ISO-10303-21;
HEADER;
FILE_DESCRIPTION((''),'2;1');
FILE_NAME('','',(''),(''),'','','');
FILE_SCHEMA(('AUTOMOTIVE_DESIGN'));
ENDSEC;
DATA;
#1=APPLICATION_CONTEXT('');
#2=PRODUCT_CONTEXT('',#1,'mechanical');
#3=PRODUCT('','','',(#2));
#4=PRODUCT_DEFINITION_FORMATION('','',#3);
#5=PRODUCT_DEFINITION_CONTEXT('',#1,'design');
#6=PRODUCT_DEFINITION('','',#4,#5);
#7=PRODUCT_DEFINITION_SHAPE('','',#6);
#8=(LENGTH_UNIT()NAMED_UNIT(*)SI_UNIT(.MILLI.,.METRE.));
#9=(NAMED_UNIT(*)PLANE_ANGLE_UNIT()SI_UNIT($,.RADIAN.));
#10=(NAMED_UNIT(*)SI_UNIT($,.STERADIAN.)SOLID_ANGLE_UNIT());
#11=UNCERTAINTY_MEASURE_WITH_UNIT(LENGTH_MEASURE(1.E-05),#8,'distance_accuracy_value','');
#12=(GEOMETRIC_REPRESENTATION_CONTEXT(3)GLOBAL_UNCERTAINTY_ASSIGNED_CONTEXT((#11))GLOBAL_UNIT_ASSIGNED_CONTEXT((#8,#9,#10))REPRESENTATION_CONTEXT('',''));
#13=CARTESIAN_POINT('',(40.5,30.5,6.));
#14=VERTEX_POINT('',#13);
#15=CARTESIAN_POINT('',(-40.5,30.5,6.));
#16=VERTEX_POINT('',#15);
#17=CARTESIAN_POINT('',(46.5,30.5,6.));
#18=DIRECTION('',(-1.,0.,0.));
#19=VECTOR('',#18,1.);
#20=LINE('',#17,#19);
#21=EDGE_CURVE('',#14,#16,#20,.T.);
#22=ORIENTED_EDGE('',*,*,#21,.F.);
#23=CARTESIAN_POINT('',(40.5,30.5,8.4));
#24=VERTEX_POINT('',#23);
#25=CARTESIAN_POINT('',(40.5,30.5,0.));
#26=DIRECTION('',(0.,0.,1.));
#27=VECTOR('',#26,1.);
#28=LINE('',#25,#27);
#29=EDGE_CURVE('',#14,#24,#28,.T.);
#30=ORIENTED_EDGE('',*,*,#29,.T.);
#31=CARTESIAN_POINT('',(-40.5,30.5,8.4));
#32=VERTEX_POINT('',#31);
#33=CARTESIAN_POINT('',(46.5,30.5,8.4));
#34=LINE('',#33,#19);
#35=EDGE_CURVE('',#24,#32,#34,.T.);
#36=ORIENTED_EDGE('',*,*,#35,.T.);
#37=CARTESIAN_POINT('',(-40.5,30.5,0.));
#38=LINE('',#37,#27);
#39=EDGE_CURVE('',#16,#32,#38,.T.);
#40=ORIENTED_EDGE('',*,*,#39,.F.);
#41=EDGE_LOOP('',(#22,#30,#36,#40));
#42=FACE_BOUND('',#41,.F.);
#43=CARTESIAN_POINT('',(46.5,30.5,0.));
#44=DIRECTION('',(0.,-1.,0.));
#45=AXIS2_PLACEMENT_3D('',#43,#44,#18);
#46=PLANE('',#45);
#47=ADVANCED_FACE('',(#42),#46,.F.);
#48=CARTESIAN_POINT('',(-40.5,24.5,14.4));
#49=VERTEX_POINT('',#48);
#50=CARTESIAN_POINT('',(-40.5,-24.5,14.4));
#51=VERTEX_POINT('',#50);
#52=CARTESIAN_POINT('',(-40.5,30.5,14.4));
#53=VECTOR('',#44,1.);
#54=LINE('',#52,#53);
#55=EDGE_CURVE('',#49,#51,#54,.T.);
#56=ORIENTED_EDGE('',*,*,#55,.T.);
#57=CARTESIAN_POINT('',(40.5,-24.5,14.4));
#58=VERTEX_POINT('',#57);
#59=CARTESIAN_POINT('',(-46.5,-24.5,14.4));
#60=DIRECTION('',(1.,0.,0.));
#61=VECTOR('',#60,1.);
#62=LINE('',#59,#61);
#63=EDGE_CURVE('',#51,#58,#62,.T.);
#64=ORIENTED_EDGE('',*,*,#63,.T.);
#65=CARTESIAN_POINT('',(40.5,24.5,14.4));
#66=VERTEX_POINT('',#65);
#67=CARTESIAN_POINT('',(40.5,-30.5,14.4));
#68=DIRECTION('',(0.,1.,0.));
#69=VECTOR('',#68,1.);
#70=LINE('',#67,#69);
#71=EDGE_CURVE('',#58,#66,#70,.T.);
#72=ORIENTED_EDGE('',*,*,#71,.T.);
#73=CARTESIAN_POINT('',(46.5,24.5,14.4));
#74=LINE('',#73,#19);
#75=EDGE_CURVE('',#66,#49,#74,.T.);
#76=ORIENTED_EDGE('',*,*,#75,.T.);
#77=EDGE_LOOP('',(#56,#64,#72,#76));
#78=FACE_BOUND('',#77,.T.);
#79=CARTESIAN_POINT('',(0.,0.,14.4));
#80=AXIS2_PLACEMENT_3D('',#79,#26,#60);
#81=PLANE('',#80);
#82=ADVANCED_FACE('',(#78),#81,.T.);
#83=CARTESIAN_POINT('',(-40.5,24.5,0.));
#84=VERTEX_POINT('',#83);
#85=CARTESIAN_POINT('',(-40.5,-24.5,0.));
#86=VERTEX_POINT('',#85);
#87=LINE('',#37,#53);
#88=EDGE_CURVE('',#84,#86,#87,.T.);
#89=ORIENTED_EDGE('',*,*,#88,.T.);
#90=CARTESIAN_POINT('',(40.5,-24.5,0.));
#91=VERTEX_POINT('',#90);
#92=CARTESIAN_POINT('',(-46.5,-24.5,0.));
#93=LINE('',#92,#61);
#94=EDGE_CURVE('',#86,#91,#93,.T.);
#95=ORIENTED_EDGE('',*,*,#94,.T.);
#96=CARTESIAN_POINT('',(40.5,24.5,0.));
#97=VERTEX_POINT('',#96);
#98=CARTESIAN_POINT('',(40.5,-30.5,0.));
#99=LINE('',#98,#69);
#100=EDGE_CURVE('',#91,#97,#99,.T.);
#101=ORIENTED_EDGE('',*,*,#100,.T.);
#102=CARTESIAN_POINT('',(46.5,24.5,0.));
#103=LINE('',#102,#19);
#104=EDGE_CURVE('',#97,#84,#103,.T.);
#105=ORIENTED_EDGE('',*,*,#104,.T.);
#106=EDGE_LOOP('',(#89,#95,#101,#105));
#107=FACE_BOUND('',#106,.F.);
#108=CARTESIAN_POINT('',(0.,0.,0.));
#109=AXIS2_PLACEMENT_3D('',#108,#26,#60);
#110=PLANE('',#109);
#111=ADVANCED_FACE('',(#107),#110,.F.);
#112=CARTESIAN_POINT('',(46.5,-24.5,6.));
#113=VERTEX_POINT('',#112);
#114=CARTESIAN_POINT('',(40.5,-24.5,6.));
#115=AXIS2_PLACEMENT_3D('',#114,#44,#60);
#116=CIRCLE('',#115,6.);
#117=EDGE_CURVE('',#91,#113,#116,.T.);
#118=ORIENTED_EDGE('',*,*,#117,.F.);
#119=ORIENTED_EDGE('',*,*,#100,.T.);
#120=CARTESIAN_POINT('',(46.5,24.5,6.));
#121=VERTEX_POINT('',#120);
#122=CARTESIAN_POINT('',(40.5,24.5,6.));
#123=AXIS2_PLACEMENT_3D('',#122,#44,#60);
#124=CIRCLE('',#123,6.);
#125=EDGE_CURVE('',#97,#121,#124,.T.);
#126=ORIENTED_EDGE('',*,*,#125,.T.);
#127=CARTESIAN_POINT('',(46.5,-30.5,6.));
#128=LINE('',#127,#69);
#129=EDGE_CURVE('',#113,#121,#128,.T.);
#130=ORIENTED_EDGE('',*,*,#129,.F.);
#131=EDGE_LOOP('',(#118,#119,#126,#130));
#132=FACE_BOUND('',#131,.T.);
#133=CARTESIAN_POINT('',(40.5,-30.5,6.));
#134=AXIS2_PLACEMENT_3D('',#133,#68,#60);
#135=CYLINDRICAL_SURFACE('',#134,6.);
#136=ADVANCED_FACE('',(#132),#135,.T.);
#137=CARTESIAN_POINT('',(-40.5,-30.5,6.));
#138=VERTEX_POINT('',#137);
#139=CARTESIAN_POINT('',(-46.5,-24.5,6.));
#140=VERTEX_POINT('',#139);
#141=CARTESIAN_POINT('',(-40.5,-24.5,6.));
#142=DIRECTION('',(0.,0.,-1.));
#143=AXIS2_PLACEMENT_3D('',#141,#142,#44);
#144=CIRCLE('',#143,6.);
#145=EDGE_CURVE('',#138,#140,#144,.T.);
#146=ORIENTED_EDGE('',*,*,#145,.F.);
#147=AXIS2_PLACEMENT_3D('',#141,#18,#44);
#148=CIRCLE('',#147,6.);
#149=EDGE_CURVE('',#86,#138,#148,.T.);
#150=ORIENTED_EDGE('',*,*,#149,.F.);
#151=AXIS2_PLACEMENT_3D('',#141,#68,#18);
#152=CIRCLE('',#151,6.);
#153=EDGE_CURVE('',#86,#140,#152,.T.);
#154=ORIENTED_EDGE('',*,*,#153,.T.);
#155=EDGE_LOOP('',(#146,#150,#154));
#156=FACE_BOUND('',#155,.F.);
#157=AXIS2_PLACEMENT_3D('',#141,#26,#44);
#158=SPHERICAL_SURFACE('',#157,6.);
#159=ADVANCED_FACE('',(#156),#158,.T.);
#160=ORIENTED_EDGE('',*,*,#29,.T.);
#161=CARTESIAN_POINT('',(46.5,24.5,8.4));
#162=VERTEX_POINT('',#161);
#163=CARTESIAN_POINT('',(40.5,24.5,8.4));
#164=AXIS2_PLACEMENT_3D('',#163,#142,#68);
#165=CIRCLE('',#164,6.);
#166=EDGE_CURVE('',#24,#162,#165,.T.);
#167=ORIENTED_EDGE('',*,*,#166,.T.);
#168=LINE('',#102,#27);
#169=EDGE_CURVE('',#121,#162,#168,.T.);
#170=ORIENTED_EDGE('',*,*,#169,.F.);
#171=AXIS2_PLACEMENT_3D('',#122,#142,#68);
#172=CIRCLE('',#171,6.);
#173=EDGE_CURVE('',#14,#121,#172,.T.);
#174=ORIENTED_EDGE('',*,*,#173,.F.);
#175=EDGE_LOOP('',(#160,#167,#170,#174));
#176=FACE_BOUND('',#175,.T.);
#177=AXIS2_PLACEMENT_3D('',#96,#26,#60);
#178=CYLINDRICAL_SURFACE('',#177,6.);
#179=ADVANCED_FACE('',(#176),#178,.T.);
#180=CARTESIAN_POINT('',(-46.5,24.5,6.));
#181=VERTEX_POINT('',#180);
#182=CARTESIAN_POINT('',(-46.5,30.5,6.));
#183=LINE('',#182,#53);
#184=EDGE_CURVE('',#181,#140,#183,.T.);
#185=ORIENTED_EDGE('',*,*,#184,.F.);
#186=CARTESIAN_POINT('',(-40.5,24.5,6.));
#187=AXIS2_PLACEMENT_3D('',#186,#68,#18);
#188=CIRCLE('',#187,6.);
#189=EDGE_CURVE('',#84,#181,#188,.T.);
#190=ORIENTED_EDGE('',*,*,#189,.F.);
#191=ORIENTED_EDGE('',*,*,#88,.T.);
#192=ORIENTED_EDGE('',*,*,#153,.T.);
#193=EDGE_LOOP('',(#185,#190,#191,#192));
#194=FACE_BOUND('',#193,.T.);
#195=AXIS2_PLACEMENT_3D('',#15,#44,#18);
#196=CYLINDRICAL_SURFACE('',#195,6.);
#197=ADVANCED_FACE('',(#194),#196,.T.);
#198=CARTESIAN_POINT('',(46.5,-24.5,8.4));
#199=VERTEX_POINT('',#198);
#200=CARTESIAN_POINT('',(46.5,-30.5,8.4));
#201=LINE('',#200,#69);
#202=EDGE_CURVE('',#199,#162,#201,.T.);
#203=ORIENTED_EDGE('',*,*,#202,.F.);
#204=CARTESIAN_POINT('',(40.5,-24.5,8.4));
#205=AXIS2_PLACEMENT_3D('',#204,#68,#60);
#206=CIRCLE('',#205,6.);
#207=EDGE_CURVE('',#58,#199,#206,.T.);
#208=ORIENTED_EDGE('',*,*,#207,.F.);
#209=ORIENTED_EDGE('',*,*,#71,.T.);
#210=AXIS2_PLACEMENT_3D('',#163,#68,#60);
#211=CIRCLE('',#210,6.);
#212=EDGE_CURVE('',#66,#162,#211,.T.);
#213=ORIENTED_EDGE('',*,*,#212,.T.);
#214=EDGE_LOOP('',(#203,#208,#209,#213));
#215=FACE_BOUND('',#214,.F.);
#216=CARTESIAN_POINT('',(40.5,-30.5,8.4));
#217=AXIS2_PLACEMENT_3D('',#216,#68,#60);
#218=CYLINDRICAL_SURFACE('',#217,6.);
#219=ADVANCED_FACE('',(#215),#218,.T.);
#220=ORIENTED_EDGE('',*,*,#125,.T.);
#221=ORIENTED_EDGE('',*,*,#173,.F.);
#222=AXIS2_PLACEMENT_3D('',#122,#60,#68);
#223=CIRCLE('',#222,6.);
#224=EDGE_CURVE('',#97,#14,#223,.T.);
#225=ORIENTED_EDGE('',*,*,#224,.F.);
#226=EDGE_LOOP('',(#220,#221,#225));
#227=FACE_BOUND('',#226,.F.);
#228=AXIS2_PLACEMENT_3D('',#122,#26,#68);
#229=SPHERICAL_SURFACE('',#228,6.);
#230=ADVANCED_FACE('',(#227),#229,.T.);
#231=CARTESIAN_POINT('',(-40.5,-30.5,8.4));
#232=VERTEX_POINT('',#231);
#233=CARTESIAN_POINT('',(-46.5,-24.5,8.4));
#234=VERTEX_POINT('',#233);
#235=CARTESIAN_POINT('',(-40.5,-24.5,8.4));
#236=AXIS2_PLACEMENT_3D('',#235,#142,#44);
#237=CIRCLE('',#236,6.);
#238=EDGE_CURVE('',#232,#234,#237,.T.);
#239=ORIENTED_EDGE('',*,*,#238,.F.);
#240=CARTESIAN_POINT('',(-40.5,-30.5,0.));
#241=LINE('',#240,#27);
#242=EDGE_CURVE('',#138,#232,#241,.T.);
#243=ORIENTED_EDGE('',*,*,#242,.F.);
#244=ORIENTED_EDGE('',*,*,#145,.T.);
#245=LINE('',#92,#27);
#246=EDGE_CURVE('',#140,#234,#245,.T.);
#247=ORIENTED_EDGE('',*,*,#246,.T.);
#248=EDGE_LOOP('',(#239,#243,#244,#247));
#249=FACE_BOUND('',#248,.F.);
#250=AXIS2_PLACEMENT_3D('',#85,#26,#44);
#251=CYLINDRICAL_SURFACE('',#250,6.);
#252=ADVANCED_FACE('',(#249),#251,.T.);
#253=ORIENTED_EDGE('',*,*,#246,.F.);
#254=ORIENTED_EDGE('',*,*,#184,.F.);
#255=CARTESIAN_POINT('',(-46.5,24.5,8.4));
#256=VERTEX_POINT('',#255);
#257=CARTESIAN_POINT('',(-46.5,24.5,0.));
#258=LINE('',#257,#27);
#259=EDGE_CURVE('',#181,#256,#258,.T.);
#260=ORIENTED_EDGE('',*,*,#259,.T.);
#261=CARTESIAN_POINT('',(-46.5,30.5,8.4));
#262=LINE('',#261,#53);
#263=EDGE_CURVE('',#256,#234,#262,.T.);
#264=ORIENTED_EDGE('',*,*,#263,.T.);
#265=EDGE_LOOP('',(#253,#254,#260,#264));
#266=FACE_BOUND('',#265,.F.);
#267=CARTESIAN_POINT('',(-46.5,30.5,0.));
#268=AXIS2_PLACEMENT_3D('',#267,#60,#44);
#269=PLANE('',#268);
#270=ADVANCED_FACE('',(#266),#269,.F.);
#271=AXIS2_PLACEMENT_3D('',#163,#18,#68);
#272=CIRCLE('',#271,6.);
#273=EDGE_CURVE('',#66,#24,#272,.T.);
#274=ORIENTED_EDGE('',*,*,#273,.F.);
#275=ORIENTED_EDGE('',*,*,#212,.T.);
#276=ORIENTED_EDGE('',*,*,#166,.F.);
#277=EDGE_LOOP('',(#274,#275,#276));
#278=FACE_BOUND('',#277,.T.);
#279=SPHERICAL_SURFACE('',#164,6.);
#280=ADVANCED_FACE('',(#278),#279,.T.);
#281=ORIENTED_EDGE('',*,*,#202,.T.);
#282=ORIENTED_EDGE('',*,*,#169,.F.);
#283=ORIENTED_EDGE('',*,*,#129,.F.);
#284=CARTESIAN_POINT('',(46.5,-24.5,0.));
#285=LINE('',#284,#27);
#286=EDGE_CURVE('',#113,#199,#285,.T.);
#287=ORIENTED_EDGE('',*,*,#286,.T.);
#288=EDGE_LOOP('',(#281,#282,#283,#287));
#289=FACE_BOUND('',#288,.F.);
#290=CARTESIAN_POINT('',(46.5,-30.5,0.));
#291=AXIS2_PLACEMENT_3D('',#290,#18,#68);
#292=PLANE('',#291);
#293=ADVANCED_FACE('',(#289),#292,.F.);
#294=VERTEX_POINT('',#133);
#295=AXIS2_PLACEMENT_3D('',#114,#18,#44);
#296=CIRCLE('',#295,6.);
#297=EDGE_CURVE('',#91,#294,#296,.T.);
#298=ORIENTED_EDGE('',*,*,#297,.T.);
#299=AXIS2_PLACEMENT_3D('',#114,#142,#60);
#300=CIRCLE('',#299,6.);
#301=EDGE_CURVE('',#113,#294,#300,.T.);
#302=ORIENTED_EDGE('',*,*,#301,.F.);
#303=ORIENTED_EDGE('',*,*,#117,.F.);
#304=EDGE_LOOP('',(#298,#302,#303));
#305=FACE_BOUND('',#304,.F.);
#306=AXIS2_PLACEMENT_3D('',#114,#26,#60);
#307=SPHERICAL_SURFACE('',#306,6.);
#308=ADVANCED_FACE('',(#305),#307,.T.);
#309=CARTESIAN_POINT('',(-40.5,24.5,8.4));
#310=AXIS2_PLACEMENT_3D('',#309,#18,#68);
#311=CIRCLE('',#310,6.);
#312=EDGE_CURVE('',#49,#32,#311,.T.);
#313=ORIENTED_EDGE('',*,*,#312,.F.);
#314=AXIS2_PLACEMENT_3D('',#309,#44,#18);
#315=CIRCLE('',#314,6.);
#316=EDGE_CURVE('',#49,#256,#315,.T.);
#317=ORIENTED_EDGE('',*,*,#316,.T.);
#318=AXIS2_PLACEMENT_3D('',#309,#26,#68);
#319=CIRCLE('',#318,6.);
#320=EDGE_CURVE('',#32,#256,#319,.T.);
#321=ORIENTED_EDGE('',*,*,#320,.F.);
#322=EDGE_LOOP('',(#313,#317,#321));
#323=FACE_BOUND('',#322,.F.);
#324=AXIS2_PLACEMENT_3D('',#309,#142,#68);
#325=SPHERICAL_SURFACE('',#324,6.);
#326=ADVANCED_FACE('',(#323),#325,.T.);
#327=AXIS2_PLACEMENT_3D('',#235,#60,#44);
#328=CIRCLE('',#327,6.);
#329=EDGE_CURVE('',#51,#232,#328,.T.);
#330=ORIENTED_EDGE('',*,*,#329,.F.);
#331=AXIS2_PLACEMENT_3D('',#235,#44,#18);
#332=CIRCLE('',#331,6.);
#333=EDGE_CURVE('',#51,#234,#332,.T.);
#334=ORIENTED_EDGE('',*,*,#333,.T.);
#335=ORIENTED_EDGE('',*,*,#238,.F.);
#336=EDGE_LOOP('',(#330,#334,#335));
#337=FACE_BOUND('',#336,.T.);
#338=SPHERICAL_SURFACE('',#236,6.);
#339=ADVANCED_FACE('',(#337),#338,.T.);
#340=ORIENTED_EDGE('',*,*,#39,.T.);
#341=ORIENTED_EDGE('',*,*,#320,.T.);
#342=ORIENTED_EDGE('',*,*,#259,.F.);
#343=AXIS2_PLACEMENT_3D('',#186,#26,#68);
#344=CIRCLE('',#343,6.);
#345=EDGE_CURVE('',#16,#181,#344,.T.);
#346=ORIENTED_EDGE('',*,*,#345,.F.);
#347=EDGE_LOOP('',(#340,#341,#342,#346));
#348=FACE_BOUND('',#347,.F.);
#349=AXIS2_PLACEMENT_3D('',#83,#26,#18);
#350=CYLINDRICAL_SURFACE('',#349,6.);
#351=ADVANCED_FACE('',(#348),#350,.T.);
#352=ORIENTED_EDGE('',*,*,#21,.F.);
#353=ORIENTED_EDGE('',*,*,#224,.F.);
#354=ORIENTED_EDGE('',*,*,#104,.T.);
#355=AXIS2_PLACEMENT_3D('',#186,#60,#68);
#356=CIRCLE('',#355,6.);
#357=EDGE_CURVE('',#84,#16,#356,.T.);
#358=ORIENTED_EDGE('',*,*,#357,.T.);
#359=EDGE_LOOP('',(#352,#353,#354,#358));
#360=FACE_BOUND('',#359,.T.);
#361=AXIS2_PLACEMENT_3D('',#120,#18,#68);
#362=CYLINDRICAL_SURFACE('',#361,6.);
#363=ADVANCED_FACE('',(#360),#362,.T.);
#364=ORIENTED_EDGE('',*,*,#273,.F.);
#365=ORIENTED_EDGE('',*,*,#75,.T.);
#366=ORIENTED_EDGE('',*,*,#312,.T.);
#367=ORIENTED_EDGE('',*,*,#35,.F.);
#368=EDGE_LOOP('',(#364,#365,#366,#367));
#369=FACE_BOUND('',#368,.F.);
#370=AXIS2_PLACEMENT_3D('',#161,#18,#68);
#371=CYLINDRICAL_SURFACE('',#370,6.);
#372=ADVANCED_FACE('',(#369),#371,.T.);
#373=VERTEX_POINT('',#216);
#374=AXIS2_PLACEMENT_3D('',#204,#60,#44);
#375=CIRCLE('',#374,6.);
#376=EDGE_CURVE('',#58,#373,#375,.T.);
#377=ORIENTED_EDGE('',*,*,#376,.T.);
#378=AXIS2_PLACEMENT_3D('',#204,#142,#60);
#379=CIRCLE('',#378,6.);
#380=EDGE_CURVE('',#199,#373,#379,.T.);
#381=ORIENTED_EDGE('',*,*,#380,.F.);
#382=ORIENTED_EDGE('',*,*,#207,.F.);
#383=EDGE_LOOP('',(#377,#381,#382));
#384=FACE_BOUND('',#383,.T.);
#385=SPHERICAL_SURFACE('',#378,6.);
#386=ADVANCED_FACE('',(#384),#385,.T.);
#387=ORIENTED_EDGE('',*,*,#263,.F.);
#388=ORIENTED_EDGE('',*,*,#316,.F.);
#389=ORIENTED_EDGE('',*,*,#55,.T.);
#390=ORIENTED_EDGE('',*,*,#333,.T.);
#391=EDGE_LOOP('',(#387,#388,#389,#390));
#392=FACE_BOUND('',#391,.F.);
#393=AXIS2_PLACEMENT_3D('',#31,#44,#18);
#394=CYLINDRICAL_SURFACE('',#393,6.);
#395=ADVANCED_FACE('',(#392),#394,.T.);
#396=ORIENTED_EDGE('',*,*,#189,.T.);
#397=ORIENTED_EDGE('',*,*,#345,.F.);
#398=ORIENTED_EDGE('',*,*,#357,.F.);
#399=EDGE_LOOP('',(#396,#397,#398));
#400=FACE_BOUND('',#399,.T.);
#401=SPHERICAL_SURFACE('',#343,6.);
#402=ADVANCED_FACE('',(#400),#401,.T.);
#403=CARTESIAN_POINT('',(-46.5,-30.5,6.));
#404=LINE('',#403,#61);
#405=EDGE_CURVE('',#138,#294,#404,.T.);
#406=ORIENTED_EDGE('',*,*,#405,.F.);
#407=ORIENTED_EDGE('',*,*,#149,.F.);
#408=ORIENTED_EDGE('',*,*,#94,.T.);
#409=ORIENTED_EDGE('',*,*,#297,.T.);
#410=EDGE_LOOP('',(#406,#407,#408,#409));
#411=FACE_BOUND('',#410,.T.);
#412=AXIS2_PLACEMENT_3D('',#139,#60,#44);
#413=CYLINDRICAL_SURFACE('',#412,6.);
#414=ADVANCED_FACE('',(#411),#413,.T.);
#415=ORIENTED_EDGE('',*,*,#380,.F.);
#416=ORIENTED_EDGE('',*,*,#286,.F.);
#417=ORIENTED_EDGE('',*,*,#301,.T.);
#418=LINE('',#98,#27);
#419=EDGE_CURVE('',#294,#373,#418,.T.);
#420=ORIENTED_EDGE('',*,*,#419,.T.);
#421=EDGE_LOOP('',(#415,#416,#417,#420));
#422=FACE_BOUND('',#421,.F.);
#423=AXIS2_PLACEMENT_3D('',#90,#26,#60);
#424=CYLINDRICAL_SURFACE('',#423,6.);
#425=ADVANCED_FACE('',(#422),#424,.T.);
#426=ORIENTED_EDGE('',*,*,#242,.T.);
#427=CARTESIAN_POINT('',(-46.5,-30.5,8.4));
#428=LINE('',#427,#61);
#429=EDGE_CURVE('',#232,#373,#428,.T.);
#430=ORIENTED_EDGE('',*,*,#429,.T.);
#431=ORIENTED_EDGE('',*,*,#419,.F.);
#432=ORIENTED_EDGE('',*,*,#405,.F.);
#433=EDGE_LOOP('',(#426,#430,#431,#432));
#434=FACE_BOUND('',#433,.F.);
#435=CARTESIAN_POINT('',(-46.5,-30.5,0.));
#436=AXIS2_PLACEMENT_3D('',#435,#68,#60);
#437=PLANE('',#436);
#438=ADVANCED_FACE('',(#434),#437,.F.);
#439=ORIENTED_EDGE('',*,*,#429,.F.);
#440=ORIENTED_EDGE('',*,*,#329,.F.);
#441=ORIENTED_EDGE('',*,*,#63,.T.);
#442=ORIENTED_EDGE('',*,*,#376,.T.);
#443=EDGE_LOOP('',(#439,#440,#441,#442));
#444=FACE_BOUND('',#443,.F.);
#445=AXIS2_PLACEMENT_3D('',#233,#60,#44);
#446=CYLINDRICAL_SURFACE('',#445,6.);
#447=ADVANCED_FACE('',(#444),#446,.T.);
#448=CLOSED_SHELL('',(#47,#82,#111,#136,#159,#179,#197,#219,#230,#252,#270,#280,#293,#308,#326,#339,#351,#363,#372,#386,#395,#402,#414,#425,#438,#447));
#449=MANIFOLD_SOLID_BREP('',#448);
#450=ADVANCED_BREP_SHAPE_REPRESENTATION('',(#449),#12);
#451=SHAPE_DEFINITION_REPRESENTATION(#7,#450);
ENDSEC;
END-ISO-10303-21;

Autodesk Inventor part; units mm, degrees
ref_plane "YZ Plane" through (0, 0, 0) normal (1, 0, 0) x (0, 1, 0)
ref_plane "XZ Plane" through (0, 0, 0) normal (0, 1, 0) x (-1, 0, 0)
ref_plane "XY Plane" through (0, 0, 0) normal (0, 0, 1) x (1, 0, 0)
sketch "Sketch1" plane through (0, 0, 0) normal (0, 0, 1) x (1, 0, 0)
  line L0 (46.5, 30.5) -> (-46.5, 30.5)
  line L1 (-46.5, 30.5) -> (-46.5, -30.5)
  line L2 (-46.5, -30.5) -> (46.5, -30.5)
  line L3 (46.5, -30.5) -> (46.5, 30.5)
  line L4 (46.5, 30.5) -> (-46.5, -30.5) construction
  line L5 (-46.5, 30.5) -> (46.5, -30.5) construction
  point P0 (0, 0)
  dimension "d0" = 93
  dimension "d1" = 61
extrude "Extrusion1" add sketch "Sketch1" along normal blind 14.4
fillet "Fillet1" radius 6 12 edges at (46.5, 30.5, 7.2) (-46.5, 30.5, 7.2) (46.5, -30.5, 7.2) (-46.5, -30.5, 7.2) (0, 30.5, 14.4) (0, 30.5, 0) (46.5, 0, 0) (46.5, 0, 14.4) (0, -30.5, 14.4) (0, -30.5, 0) (-46.5, 0, 14.4) (-46.5, 0, 0)
ref_plane "Work Plane1" through (0, 0, 7.2) normal (0, 0, -1) x (-1, 0, 0)
ref_plane "Work Plane2" through (-40.5, 0, 8.4) normal (0, 1, 0) x (1, 0, 0)
properties part number "00_Powerbank"
